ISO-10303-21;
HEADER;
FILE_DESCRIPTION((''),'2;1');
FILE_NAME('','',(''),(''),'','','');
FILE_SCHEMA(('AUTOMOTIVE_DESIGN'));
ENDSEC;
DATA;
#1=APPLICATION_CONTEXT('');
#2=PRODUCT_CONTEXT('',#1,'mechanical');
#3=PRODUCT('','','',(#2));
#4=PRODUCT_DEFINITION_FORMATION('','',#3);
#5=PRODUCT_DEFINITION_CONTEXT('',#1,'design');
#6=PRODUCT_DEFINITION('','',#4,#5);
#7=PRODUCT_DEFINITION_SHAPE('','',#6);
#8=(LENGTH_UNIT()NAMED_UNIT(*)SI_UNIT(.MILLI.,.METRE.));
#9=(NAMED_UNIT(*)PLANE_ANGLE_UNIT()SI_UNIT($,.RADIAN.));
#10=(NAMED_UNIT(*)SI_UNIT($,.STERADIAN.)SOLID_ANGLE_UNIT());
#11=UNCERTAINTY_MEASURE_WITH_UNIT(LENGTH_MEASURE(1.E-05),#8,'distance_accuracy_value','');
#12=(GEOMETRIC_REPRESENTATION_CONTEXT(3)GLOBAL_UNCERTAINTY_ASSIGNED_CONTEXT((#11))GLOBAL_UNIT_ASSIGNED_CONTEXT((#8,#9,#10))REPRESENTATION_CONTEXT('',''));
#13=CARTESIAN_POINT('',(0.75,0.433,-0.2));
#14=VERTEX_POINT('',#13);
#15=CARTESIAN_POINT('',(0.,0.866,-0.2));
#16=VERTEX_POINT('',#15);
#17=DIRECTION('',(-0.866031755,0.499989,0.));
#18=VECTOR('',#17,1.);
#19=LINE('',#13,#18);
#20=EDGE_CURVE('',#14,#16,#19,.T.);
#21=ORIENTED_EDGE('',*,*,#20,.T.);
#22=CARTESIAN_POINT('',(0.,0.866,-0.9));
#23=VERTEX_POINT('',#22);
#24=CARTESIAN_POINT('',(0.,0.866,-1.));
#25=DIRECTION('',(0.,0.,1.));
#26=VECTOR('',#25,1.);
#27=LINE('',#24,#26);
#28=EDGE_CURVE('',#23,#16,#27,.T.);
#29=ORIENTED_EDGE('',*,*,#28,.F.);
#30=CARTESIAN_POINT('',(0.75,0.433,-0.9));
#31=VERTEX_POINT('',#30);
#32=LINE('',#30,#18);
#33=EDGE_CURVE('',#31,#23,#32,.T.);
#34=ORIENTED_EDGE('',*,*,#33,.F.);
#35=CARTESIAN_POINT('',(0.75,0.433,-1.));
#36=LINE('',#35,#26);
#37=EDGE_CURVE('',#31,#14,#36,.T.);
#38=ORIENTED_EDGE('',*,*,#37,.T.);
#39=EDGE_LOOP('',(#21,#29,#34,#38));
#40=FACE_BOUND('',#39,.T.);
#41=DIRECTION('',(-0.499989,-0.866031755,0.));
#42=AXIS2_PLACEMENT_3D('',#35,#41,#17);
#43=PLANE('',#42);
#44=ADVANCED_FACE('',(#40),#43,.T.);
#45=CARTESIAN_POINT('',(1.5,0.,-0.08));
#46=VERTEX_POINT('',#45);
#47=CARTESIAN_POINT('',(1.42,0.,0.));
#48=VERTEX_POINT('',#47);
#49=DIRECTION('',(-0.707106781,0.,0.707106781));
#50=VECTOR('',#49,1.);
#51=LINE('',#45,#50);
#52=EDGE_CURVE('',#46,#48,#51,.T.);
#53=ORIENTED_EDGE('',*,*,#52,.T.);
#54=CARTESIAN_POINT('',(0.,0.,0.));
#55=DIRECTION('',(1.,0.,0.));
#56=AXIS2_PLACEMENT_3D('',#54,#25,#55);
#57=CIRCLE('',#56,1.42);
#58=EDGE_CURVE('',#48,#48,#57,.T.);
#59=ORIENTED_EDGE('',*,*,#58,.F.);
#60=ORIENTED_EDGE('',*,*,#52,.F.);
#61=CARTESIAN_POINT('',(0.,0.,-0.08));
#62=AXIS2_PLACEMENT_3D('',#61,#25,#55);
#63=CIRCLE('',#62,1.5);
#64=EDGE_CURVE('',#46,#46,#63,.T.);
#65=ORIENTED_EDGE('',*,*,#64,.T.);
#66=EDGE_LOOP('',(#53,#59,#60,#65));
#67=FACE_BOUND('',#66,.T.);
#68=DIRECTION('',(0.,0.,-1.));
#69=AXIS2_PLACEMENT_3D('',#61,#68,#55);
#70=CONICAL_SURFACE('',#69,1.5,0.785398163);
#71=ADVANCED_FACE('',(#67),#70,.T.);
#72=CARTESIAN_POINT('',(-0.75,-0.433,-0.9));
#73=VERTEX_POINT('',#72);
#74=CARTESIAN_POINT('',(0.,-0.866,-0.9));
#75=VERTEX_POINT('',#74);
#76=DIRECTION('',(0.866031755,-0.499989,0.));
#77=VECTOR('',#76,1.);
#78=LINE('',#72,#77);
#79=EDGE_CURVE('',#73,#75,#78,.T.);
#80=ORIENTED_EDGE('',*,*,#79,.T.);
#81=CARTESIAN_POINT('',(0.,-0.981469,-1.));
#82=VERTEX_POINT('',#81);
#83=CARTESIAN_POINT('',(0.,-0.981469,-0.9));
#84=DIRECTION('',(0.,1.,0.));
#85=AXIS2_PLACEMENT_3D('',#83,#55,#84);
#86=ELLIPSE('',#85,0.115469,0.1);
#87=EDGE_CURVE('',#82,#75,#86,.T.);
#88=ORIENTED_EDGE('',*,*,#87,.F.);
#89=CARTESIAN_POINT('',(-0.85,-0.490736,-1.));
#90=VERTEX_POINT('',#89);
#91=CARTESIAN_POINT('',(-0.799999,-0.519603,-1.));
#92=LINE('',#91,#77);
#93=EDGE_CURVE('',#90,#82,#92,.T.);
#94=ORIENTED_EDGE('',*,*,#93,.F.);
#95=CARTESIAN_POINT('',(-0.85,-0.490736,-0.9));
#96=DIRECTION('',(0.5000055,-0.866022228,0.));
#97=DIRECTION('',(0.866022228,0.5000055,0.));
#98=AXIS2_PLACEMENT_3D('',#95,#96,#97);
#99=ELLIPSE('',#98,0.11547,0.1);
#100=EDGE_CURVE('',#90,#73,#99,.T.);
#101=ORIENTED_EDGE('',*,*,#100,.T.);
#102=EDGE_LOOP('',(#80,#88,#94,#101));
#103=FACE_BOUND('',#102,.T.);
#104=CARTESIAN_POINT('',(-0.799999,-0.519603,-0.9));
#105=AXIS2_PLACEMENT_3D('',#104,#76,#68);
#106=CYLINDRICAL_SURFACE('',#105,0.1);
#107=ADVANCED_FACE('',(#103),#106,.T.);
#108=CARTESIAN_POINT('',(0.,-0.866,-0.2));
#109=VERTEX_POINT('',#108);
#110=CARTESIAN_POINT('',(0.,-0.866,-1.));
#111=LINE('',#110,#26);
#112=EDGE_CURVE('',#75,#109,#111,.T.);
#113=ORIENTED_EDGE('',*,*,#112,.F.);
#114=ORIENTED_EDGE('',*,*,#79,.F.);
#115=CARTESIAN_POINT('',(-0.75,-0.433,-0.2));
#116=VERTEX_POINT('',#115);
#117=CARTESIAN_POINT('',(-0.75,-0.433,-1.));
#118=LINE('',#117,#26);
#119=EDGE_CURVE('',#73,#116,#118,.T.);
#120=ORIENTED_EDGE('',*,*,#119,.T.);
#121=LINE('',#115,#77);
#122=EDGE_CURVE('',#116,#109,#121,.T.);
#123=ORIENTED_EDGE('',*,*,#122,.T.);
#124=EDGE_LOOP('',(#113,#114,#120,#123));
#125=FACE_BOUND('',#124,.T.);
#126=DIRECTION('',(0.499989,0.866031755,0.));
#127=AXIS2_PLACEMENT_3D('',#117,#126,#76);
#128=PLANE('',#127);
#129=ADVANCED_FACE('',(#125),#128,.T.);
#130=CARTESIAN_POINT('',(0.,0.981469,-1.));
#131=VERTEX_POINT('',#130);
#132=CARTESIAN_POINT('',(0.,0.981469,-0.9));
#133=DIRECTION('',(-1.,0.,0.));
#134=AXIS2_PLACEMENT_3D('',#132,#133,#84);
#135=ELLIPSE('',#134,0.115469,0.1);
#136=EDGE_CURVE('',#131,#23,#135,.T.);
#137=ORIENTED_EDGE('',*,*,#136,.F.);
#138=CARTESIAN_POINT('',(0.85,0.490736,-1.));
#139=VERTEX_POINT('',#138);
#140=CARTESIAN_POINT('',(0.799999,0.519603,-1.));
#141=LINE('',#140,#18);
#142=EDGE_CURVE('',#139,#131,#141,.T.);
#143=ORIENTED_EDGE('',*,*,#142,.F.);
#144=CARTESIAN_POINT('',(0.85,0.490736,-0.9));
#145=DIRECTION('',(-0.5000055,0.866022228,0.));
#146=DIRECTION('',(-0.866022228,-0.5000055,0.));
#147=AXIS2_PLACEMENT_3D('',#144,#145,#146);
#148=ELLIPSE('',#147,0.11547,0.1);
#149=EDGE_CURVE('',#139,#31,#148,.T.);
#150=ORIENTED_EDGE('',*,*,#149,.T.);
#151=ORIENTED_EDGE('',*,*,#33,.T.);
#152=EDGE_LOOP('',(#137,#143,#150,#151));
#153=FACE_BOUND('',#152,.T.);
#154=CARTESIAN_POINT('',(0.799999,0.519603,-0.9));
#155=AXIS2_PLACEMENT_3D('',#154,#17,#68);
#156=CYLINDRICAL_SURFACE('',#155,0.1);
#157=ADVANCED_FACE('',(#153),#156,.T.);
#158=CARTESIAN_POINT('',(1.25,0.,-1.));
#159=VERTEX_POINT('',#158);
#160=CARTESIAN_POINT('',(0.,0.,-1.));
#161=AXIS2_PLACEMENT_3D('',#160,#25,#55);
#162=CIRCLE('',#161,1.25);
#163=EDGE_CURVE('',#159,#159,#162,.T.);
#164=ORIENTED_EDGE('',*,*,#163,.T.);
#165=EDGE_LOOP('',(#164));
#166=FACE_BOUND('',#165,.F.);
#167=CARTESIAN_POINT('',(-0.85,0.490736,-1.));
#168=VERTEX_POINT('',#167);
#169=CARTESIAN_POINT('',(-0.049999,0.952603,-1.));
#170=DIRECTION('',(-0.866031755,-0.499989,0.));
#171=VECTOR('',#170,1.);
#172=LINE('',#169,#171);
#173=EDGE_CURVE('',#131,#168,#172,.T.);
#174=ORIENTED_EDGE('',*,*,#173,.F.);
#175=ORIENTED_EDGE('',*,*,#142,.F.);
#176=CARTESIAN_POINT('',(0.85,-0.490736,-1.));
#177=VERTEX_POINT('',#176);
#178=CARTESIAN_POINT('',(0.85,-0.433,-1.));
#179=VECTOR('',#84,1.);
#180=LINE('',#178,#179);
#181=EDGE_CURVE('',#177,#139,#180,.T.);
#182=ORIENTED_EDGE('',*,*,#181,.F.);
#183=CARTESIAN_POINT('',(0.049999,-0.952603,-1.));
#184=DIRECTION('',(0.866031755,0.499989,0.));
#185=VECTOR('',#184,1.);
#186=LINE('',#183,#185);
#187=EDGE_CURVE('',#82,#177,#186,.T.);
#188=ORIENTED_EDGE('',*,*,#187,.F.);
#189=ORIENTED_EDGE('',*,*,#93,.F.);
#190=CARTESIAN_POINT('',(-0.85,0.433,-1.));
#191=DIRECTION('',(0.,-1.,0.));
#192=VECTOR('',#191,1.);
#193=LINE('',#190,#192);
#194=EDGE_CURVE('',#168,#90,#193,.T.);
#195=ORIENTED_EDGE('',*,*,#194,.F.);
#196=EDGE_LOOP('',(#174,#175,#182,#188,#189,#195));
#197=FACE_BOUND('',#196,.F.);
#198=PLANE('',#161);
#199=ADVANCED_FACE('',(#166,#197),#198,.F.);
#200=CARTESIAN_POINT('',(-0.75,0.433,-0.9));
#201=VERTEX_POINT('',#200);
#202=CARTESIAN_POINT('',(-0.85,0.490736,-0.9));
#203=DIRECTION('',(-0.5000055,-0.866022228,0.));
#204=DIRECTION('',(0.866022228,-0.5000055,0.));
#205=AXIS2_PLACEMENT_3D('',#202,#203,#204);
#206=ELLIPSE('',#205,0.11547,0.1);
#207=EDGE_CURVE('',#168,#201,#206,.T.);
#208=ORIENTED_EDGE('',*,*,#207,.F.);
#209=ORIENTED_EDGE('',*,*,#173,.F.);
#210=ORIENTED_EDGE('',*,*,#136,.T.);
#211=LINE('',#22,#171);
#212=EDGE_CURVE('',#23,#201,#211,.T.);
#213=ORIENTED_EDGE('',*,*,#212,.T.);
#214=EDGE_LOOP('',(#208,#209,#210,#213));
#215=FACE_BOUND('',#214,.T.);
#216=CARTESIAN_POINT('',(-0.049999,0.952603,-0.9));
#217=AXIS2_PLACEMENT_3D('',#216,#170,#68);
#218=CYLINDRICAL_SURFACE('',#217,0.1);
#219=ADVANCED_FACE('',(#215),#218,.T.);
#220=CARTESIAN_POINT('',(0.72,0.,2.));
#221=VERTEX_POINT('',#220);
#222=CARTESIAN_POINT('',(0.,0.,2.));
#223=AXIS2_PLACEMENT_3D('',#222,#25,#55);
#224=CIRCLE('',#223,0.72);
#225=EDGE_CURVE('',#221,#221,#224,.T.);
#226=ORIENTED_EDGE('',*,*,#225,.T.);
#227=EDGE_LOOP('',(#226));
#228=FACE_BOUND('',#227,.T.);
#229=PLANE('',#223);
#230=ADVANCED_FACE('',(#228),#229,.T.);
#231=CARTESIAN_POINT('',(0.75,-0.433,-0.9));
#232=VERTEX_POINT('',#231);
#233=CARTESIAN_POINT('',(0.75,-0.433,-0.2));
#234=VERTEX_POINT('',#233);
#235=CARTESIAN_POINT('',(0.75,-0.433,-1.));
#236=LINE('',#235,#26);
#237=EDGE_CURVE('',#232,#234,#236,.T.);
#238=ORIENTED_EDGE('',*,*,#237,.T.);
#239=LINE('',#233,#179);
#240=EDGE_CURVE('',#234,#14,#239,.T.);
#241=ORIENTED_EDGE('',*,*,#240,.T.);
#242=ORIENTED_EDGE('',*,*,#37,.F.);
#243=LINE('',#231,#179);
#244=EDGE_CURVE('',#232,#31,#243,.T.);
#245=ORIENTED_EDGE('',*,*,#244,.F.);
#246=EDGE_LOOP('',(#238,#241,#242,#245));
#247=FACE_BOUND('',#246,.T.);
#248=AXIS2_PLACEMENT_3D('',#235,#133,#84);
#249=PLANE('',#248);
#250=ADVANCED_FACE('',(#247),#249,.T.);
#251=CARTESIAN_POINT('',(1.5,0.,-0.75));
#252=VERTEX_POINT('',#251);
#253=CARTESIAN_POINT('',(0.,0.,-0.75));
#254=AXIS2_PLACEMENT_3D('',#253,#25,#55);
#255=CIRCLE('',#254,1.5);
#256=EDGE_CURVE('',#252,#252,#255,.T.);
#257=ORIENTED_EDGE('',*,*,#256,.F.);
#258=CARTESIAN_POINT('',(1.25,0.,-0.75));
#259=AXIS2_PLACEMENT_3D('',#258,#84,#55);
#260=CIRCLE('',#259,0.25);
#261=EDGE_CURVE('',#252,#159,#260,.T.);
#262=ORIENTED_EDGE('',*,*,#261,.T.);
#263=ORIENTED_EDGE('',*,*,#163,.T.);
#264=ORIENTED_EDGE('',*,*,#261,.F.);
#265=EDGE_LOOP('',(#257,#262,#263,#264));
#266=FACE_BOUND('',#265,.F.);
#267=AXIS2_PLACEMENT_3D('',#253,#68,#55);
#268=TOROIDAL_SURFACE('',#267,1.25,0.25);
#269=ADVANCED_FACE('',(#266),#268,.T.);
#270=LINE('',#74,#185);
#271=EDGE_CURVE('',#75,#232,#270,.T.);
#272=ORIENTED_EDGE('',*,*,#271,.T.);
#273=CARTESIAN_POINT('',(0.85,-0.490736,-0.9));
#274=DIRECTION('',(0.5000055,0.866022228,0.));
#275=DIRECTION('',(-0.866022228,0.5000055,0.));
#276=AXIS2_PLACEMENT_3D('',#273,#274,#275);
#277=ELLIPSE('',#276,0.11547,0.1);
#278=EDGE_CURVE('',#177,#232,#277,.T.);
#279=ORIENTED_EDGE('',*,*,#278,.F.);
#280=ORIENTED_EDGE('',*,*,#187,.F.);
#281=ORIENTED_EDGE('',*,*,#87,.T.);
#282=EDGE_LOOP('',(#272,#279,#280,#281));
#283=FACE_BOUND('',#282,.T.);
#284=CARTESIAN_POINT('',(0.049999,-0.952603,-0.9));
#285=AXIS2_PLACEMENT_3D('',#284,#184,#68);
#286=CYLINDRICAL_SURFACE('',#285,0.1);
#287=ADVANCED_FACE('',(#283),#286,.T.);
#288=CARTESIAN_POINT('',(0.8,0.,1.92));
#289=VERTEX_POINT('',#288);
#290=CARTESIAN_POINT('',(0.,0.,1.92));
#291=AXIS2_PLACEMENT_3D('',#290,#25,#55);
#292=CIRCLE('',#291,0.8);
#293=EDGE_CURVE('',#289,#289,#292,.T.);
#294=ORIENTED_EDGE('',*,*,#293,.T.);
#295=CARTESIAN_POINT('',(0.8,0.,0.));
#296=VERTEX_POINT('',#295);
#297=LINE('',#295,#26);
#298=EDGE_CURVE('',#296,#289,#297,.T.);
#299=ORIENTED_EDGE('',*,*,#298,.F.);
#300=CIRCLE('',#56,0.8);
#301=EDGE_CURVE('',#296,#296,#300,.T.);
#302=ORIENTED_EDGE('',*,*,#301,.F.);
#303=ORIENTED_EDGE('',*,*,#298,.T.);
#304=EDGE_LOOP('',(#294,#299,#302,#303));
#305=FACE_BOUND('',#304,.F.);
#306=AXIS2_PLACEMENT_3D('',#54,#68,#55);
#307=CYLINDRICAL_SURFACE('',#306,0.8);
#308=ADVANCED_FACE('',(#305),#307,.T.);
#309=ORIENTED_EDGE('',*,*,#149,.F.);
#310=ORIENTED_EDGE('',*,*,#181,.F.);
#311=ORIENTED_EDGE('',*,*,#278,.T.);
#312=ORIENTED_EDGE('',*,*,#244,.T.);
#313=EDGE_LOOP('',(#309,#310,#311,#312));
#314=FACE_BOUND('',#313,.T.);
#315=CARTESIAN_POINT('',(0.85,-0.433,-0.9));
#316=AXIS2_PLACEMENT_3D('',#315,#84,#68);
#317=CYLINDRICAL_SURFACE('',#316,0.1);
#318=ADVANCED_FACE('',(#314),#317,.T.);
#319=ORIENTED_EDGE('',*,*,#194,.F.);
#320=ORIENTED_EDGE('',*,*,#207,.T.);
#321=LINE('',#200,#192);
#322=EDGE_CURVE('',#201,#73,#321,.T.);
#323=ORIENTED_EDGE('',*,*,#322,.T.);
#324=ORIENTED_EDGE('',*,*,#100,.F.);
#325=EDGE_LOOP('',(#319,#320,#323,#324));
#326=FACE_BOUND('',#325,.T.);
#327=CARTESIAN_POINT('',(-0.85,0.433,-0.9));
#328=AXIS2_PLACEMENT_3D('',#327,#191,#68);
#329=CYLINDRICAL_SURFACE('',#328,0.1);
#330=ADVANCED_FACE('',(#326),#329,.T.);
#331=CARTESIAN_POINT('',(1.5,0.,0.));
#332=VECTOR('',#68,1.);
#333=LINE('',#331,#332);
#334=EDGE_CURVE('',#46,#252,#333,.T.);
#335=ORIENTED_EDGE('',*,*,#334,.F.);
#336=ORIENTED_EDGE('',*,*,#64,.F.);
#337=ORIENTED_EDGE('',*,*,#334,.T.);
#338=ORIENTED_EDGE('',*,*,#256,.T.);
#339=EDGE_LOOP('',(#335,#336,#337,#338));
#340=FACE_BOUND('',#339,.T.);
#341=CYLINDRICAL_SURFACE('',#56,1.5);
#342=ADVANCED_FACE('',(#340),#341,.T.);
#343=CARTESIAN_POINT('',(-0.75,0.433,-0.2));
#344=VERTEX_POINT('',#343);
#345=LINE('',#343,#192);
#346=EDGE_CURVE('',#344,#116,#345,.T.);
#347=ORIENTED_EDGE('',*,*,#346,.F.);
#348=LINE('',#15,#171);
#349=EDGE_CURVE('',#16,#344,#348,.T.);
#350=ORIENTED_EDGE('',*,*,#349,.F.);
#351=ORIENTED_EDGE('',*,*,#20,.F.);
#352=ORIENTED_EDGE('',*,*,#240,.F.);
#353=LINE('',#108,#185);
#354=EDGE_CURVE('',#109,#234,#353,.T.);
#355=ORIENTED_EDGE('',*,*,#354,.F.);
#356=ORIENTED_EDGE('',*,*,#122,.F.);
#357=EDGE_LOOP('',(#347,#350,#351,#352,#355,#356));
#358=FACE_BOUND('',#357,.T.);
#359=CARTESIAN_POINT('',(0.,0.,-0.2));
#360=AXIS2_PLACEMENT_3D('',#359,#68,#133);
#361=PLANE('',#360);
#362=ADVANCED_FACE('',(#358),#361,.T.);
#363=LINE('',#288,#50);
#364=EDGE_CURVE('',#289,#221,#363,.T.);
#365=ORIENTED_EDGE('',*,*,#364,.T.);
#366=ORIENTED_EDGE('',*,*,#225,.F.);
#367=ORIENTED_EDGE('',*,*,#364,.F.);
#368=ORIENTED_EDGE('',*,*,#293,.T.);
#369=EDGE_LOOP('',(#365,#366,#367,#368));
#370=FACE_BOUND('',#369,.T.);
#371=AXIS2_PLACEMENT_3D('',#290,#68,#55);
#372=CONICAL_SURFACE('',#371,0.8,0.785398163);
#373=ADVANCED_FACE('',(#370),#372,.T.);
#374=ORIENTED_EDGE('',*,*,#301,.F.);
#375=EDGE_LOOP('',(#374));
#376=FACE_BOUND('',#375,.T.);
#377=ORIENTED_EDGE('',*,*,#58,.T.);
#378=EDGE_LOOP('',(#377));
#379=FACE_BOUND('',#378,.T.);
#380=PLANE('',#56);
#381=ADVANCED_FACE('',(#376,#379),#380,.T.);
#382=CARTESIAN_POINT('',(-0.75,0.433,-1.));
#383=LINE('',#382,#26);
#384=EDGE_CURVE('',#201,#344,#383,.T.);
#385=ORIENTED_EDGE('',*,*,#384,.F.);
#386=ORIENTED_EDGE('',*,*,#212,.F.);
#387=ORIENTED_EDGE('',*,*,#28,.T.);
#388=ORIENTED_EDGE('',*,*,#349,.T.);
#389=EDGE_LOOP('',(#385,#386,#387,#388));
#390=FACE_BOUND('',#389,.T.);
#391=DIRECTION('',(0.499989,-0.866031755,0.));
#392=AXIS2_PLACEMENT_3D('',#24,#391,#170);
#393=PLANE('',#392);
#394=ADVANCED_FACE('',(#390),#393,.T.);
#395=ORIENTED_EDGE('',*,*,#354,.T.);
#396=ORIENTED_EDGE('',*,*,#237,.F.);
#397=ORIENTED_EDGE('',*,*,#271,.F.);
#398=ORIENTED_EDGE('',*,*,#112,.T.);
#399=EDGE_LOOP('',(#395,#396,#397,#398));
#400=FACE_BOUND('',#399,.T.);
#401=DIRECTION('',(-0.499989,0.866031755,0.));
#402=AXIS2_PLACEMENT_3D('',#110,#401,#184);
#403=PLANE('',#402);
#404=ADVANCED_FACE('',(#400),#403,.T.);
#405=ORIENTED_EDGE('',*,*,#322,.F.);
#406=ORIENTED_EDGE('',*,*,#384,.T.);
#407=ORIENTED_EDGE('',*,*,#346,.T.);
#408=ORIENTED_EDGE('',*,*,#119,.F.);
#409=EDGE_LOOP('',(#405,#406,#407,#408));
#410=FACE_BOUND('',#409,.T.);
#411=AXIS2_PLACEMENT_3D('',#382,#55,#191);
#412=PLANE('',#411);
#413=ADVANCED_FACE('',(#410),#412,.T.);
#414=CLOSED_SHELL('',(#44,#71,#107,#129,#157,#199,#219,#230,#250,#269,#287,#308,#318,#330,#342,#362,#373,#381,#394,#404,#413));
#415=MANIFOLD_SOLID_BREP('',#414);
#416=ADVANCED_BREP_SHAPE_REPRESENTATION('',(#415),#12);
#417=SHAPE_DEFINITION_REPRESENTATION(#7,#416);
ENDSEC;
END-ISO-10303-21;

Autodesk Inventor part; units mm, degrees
ref_plane "YZ Plane" through (0, 0, 0) normal (1, 0, 0) x (0, 1, 0)
ref_plane "XZ Plane" through (0, 0, 0) normal (0, 1, 0) x (-1, 0, 0)
ref_plane "XY Plane" through (0, 0, 0) normal (0, 0, 1) x (1, 0, 0)
sketch "Sketch1" plane through (0, 0, 0) normal (0, 0, 1) x (1, 0, 0)
  circle A0 centre (0, 0) radius 0.8
  circle A1 centre (0, 0) radius 1.5
  dimension "d0" = 1.6
  dimension "d1" = 3
extrude "Extrusion1" add sketch "Sketch1" along normal blind 2 contours A0
extrude "Extrusion2" add sketch "Sketch1" against normal blind 1 contours A0 | A1
sketch "Sketch2" plane through (0, 0, -1) normal (0, 0, -1) x (-1, 0, 0)
  line L0 (-0.75, 0.433) -> (0, 0.866)
  line L1 (0, 0.866) -> (0.75, 0.433)
  line L2 (0.75, 0.433) -> (0.75, -0.433)
  line L3 (0.75, -0.433) -> (0, -0.866)
  line L4 (0, -0.866) -> (-0.75, -0.433)
  line L5 (-0.75, -0.433) -> (-0.75, 0.433)
  point P0 (0, 0)
  point P1 (0, 0)
  dimension "d6" = 1.5
extrude "Extrusion3" cut sketch "Sketch2" against normal blind 0.8
fillet "Fillet1" radius 0.25 1 edges at (-1.5, 0, -1)
fillet "Fillet1" radius 0.1 6 edges at (0.375, 0.6495, -1) (0.75, 0, -1) (0.375, -0.6495, -1) (-0.375, -0.6495, -1) (-0.75, 0, -1) (-0.375, 0.6495, -1)
thread "Thread1" size "M1.6x0.35" class "6g" standard "ANSI Metric M Profile" full length
chamfer "Chamfer1" distance 0.08 angle 45 2 edges at (-0.8, 0, 2) (-1.5, 0, 0)
properties part number "CNCT_STEEL_M1,6x2_Screw" material "Stainless Steel"
